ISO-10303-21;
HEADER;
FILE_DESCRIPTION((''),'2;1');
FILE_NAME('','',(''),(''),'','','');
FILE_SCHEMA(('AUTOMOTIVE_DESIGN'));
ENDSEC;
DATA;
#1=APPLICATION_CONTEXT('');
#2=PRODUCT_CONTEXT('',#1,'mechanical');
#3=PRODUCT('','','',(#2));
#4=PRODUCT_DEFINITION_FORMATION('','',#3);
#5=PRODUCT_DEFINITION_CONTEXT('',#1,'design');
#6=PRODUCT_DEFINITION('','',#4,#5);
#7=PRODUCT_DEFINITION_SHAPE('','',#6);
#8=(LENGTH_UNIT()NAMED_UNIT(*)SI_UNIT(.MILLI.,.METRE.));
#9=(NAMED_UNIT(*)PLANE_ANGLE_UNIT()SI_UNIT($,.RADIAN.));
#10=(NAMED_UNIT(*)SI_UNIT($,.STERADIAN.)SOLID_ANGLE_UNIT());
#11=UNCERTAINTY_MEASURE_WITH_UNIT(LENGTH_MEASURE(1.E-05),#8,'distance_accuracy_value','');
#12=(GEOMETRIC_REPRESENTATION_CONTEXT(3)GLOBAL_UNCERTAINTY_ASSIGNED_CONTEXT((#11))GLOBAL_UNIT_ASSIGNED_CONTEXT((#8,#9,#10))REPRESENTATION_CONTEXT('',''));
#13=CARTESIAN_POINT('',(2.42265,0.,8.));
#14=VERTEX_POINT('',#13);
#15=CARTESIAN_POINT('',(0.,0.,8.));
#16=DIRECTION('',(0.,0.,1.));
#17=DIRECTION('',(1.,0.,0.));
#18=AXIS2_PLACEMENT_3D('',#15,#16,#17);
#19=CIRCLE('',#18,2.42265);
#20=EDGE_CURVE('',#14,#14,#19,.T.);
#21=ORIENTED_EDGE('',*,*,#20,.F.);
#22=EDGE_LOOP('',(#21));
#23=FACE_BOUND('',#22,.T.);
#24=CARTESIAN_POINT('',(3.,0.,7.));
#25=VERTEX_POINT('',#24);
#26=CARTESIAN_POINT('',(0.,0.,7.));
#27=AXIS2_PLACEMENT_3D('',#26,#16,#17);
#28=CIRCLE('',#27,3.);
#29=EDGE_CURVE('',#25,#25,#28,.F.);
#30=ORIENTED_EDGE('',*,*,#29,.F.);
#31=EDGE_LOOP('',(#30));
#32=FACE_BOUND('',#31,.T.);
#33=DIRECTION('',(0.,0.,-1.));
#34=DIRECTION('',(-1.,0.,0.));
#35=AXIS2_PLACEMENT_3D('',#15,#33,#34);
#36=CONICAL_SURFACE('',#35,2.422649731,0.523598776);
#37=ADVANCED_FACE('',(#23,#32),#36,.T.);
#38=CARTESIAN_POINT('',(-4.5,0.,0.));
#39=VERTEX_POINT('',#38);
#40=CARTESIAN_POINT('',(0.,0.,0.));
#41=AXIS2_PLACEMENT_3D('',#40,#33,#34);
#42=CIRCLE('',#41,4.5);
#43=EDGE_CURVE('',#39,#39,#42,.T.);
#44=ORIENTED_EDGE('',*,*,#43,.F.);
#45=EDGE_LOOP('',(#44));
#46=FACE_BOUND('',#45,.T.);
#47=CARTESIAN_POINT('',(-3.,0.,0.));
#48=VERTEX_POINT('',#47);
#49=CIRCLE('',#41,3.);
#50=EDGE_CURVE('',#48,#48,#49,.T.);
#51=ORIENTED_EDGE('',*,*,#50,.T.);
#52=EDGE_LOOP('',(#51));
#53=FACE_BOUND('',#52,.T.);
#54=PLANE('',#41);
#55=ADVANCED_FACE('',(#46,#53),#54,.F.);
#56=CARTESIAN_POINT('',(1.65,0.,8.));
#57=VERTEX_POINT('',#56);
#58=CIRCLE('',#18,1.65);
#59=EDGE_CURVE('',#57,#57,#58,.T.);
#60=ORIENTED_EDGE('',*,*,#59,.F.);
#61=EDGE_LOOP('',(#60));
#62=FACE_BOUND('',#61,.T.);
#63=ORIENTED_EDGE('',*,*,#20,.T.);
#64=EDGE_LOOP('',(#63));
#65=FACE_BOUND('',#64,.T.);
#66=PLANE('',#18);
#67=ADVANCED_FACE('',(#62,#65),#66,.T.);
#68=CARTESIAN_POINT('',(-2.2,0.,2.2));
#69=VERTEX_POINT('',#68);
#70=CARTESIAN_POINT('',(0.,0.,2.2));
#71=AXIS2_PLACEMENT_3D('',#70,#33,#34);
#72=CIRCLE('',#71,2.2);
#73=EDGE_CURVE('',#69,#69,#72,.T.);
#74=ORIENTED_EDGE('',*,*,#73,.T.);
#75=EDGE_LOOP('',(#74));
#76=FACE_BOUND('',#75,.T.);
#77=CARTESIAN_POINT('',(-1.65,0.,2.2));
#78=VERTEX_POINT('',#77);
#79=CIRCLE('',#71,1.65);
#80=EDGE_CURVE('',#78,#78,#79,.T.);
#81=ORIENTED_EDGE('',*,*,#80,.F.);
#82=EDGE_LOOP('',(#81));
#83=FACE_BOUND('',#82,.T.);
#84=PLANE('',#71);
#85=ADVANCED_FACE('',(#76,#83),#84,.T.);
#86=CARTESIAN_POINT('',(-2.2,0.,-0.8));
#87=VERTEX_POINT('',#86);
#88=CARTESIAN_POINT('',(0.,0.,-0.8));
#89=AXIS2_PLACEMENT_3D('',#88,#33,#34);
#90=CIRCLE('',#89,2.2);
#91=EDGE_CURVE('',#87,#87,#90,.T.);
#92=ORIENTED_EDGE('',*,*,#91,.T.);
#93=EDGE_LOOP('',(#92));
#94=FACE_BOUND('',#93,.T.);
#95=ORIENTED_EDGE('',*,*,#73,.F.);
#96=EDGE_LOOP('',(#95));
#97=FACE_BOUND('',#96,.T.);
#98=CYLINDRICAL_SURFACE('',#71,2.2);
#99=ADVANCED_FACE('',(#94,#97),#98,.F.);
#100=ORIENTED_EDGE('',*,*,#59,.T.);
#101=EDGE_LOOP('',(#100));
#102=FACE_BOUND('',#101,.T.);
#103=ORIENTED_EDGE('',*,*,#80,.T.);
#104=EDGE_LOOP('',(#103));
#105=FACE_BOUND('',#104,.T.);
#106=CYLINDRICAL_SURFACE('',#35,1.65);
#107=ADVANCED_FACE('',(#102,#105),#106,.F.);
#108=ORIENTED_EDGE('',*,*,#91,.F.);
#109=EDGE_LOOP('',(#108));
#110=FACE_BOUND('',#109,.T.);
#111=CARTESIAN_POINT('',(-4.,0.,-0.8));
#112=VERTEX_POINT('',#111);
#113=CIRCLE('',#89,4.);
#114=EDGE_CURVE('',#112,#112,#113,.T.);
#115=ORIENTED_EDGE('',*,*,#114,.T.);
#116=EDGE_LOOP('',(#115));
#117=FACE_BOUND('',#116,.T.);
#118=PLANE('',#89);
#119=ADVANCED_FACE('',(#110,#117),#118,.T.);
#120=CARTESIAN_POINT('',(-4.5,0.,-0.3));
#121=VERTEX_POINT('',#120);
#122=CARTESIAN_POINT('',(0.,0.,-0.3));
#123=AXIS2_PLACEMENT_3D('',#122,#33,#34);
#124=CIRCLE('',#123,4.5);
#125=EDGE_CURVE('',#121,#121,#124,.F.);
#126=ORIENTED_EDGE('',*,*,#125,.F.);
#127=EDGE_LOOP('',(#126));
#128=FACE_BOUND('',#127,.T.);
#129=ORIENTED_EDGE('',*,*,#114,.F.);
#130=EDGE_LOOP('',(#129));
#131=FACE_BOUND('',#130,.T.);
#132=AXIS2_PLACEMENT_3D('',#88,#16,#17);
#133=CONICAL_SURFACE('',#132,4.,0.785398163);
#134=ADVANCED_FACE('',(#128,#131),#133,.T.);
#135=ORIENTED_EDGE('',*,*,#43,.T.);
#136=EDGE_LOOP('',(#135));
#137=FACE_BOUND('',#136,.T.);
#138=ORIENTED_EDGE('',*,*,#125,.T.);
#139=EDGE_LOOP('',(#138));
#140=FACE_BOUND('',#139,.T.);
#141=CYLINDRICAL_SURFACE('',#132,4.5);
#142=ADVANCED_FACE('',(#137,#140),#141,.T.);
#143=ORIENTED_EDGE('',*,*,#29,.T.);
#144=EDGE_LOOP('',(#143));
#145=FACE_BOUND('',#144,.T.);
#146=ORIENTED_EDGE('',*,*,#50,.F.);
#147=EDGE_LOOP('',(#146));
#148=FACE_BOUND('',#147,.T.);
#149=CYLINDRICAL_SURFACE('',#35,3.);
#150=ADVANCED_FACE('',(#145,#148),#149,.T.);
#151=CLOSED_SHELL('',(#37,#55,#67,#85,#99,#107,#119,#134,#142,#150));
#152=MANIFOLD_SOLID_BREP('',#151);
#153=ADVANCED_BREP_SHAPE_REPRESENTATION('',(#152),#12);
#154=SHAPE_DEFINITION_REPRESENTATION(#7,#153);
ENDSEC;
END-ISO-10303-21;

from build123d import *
from build123d.topology import SkipClean

# Parameters (mm, degrees)
SKETCH_1_R          = 3
SKETCH_1_R_2        = 1.65
EXTRUDE_1_DEPTH     = 8
EXTRUDE_START       = 0.8
SKETCH_2_R          = 4.5
SKETCH_2_R_2        = 1.65
EXTRUDE_2_DEPTH     = 0.8
SKETCH_3_R          = 2.2
CUT_EXTRUDE_1_DEPTH = 3
CHAMFER_1_SIZE      = 0.5
CHAMFER_2_SIZE      = 1
CHAMFER_2_SIZE2     = 0.577350269


with BuildPart() as part:
    # 草图1 → 凸台-拉伸1 (new body)
    with BuildSketch(Plane.XY):
        Circle(SKETCH_1_R)
        Circle(SKETCH_1_R_2, mode=Mode.SUBTRACT)
    extrude(amount=EXTRUDE_1_DEPTH)

    # 草图2 → 凸台-拉伸2 (add)
    with SkipClean():  # the faces are left unmerged after this step: merging them gives an invalid solid
        with BuildSketch(Plane(origin=(0, 0, 0), x_dir=(-1, 0, 0), z_dir=(0, 0, -1)).offset(EXTRUDE_START)):
            Circle(SKETCH_2_R)
            Circle(SKETCH_2_R_2, mode=Mode.SUBTRACT)
        extrude(amount=-EXTRUDE_2_DEPTH)

    # 草图3 → 切除-拉伸1 (cut)
    with BuildSketch(Plane(origin=(0, 0, -0.8), x_dir=(-1, 0, 0), z_dir=(0, 0, -1))):
        Circle(SKETCH_3_R)
    extrude(amount=-CUT_EXTRUDE_1_DEPTH, mode=Mode.SUBTRACT)

    # 倒角1
    chamfer_1_edges = [part.edges().sort_by_distance(p)[0] for p in [
        (4.5, 0, -0.8),
    ]]
    chamfer(chamfer_1_edges, length=CHAMFER_1_SIZE)

    # 倒角2
    chamfer_2_edges = [part.edges().sort_by_distance(p)[0] for p in [
        (-3, 0, 8),
    ]]
    chamfer_2_side = [part.faces().sort_by_distance(p)[0] for p in [
        (-3, 0, 4),
    ]]
    chamfer(chamfer_2_edges, length=CHAMFER_2_SIZE, length2=CHAMFER_2_SIZE2, reference=chamfer_2_side[0])


solid = part.part
